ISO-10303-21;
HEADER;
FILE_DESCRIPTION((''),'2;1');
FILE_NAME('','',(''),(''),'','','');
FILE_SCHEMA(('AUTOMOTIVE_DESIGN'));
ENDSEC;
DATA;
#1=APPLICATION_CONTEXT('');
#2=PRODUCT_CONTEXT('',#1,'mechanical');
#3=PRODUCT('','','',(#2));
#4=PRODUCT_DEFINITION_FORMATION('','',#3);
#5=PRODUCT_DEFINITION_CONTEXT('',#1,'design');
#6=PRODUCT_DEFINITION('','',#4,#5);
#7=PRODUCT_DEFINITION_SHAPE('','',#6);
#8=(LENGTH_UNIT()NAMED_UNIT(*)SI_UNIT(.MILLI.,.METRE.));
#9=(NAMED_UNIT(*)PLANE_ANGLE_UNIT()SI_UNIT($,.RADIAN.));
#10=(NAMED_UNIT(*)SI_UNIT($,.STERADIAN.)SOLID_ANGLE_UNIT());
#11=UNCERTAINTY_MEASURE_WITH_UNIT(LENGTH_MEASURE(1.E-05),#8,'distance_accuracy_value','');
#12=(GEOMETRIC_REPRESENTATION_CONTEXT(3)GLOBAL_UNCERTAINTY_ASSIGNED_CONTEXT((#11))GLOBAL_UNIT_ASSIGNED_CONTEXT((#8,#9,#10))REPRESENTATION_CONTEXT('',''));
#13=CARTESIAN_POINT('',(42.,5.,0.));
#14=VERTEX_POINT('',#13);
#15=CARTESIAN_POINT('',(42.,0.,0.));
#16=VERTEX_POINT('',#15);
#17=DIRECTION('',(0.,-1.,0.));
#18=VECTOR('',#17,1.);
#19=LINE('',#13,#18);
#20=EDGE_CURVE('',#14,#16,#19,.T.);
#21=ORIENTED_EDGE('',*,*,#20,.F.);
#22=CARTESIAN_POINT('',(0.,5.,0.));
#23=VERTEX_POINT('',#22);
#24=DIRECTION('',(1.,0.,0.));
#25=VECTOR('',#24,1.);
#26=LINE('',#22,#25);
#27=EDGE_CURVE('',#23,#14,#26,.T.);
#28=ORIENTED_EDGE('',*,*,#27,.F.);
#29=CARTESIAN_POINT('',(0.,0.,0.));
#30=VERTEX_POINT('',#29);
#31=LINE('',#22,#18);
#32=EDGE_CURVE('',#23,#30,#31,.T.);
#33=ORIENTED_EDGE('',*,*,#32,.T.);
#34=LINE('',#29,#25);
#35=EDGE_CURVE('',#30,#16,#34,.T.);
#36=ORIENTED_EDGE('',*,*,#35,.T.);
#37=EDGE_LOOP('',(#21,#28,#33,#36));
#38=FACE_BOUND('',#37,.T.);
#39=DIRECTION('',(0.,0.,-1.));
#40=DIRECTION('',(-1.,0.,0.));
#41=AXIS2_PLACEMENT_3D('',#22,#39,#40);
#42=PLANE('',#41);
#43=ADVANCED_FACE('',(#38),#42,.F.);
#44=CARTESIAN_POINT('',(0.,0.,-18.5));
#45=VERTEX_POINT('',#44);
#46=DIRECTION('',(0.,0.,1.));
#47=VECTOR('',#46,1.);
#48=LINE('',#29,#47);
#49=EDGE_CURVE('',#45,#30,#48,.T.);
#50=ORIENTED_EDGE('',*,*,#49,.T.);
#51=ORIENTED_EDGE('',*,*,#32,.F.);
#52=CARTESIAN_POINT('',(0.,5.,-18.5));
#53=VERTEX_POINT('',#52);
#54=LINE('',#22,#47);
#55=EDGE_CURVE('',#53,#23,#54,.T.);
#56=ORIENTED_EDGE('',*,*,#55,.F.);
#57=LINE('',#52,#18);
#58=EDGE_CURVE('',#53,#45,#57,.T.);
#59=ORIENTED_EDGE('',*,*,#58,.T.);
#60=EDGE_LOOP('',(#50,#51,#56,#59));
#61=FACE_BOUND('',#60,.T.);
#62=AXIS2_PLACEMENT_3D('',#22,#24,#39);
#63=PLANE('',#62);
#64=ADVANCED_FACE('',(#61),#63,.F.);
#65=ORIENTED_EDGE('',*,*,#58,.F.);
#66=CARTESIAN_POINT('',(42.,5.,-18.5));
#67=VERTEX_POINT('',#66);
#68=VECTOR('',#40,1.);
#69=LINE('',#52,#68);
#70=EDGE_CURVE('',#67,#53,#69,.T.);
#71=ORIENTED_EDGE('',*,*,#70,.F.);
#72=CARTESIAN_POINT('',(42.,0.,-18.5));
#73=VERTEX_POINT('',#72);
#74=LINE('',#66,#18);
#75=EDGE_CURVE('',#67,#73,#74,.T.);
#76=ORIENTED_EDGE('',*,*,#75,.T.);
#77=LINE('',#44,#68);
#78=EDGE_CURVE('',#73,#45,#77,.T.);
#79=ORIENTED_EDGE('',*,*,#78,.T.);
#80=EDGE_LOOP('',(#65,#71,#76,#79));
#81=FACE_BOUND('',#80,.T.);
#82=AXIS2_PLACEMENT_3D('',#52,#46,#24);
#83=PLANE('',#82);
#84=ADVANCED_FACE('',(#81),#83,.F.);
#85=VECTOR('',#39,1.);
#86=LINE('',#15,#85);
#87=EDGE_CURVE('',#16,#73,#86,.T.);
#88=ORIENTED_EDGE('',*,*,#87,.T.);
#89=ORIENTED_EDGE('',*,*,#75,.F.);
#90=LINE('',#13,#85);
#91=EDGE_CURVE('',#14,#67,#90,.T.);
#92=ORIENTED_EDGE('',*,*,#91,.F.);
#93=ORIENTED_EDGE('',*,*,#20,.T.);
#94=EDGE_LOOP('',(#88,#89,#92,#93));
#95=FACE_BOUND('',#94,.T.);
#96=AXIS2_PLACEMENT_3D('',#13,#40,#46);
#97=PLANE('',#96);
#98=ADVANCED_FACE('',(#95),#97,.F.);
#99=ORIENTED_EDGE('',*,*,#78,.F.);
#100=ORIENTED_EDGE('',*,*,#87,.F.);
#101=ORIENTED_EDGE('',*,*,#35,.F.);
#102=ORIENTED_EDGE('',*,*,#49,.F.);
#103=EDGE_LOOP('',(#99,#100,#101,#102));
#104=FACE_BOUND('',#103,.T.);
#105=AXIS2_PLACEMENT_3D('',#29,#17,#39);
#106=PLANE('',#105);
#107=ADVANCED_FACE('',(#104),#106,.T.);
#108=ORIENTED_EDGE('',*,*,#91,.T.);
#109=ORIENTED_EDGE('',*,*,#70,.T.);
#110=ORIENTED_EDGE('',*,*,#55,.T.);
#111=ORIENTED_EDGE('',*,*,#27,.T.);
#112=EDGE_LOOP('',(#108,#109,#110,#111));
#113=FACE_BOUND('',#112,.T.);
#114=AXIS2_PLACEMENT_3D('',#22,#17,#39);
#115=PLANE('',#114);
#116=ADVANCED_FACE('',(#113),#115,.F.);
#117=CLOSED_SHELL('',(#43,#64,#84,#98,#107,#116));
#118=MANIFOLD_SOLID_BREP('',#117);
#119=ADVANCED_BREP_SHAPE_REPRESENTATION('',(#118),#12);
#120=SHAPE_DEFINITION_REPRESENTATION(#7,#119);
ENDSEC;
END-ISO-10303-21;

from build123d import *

# Parameters (mm, degrees)
SKETCH_1_W      = 42
SKETCH_1_H      = 18.5
EXTRUDE_1_DEPTH = 5


with BuildPart() as part:
    # Эскиз1 → Бобышка-Вытянуть1 (new body)
    with BuildSketch(Plane(origin=(0, 0, 0), x_dir=(1, 0, 0), z_dir=(0, 1, 0))):
        with Locations((21, 9.25)):
            Rectangle(SKETCH_1_W, SKETCH_1_H)
    extrude(amount=EXTRUDE_1_DEPTH)


solid = part.part
